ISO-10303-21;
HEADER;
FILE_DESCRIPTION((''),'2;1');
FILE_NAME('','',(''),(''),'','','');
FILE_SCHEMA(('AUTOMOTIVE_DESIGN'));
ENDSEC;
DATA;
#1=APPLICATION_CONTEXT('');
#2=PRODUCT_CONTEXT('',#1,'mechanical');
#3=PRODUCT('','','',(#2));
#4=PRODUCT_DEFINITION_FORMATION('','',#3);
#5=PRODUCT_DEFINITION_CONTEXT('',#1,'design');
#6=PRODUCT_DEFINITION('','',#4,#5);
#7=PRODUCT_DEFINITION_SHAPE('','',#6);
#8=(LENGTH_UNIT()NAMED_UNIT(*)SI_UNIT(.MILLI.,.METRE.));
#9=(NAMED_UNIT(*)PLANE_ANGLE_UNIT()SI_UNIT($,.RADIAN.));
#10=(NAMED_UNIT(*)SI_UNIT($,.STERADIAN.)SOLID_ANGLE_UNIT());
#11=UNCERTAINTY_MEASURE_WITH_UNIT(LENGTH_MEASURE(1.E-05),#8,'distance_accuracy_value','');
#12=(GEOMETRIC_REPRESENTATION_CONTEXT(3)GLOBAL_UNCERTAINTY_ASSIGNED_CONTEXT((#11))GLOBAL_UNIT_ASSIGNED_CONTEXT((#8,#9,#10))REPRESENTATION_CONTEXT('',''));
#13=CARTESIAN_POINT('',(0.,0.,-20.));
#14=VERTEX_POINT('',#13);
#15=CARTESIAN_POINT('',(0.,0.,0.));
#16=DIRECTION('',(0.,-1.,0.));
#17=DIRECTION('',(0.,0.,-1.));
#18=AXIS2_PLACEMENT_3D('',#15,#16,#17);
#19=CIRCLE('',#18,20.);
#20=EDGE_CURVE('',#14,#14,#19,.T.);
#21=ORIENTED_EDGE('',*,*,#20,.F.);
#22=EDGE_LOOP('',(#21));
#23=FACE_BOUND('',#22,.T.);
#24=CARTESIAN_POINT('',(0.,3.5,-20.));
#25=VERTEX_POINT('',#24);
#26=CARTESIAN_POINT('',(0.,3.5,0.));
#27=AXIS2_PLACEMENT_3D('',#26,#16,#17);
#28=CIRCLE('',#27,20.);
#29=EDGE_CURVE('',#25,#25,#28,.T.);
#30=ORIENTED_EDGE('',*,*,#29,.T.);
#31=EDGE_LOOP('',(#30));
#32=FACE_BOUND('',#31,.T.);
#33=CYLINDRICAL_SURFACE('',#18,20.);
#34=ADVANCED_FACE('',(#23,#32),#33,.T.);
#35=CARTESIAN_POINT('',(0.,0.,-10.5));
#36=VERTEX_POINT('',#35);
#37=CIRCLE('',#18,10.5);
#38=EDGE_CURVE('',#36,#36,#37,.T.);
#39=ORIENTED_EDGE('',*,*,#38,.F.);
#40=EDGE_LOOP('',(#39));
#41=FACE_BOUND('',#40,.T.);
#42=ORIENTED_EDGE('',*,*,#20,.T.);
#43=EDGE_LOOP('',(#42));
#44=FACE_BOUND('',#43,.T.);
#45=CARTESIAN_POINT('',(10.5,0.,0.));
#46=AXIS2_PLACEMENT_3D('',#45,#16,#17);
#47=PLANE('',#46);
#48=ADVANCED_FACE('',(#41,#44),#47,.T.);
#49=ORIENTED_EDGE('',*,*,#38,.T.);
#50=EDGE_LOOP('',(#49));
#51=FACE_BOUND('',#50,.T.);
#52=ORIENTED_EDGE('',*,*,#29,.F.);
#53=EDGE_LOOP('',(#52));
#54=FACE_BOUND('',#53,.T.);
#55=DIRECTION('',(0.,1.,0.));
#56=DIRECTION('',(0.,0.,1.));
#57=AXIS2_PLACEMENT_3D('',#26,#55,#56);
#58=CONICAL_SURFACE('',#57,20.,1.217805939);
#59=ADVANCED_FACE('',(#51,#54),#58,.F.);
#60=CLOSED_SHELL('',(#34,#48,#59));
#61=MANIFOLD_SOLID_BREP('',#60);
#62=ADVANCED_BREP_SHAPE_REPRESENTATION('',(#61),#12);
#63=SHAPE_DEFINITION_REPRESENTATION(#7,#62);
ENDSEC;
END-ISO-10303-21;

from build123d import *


with BuildPart() as part:
    # Sketch1 → Revolve1 (revolve)
    with BuildSketch(Plane.XY):
        Polygon((10.5, 0), (20, 0), (20, 3.5), align=None)
    revolve(axis=Axis((0, 0, 0), (0, 1, 0)))


solid = part.part
